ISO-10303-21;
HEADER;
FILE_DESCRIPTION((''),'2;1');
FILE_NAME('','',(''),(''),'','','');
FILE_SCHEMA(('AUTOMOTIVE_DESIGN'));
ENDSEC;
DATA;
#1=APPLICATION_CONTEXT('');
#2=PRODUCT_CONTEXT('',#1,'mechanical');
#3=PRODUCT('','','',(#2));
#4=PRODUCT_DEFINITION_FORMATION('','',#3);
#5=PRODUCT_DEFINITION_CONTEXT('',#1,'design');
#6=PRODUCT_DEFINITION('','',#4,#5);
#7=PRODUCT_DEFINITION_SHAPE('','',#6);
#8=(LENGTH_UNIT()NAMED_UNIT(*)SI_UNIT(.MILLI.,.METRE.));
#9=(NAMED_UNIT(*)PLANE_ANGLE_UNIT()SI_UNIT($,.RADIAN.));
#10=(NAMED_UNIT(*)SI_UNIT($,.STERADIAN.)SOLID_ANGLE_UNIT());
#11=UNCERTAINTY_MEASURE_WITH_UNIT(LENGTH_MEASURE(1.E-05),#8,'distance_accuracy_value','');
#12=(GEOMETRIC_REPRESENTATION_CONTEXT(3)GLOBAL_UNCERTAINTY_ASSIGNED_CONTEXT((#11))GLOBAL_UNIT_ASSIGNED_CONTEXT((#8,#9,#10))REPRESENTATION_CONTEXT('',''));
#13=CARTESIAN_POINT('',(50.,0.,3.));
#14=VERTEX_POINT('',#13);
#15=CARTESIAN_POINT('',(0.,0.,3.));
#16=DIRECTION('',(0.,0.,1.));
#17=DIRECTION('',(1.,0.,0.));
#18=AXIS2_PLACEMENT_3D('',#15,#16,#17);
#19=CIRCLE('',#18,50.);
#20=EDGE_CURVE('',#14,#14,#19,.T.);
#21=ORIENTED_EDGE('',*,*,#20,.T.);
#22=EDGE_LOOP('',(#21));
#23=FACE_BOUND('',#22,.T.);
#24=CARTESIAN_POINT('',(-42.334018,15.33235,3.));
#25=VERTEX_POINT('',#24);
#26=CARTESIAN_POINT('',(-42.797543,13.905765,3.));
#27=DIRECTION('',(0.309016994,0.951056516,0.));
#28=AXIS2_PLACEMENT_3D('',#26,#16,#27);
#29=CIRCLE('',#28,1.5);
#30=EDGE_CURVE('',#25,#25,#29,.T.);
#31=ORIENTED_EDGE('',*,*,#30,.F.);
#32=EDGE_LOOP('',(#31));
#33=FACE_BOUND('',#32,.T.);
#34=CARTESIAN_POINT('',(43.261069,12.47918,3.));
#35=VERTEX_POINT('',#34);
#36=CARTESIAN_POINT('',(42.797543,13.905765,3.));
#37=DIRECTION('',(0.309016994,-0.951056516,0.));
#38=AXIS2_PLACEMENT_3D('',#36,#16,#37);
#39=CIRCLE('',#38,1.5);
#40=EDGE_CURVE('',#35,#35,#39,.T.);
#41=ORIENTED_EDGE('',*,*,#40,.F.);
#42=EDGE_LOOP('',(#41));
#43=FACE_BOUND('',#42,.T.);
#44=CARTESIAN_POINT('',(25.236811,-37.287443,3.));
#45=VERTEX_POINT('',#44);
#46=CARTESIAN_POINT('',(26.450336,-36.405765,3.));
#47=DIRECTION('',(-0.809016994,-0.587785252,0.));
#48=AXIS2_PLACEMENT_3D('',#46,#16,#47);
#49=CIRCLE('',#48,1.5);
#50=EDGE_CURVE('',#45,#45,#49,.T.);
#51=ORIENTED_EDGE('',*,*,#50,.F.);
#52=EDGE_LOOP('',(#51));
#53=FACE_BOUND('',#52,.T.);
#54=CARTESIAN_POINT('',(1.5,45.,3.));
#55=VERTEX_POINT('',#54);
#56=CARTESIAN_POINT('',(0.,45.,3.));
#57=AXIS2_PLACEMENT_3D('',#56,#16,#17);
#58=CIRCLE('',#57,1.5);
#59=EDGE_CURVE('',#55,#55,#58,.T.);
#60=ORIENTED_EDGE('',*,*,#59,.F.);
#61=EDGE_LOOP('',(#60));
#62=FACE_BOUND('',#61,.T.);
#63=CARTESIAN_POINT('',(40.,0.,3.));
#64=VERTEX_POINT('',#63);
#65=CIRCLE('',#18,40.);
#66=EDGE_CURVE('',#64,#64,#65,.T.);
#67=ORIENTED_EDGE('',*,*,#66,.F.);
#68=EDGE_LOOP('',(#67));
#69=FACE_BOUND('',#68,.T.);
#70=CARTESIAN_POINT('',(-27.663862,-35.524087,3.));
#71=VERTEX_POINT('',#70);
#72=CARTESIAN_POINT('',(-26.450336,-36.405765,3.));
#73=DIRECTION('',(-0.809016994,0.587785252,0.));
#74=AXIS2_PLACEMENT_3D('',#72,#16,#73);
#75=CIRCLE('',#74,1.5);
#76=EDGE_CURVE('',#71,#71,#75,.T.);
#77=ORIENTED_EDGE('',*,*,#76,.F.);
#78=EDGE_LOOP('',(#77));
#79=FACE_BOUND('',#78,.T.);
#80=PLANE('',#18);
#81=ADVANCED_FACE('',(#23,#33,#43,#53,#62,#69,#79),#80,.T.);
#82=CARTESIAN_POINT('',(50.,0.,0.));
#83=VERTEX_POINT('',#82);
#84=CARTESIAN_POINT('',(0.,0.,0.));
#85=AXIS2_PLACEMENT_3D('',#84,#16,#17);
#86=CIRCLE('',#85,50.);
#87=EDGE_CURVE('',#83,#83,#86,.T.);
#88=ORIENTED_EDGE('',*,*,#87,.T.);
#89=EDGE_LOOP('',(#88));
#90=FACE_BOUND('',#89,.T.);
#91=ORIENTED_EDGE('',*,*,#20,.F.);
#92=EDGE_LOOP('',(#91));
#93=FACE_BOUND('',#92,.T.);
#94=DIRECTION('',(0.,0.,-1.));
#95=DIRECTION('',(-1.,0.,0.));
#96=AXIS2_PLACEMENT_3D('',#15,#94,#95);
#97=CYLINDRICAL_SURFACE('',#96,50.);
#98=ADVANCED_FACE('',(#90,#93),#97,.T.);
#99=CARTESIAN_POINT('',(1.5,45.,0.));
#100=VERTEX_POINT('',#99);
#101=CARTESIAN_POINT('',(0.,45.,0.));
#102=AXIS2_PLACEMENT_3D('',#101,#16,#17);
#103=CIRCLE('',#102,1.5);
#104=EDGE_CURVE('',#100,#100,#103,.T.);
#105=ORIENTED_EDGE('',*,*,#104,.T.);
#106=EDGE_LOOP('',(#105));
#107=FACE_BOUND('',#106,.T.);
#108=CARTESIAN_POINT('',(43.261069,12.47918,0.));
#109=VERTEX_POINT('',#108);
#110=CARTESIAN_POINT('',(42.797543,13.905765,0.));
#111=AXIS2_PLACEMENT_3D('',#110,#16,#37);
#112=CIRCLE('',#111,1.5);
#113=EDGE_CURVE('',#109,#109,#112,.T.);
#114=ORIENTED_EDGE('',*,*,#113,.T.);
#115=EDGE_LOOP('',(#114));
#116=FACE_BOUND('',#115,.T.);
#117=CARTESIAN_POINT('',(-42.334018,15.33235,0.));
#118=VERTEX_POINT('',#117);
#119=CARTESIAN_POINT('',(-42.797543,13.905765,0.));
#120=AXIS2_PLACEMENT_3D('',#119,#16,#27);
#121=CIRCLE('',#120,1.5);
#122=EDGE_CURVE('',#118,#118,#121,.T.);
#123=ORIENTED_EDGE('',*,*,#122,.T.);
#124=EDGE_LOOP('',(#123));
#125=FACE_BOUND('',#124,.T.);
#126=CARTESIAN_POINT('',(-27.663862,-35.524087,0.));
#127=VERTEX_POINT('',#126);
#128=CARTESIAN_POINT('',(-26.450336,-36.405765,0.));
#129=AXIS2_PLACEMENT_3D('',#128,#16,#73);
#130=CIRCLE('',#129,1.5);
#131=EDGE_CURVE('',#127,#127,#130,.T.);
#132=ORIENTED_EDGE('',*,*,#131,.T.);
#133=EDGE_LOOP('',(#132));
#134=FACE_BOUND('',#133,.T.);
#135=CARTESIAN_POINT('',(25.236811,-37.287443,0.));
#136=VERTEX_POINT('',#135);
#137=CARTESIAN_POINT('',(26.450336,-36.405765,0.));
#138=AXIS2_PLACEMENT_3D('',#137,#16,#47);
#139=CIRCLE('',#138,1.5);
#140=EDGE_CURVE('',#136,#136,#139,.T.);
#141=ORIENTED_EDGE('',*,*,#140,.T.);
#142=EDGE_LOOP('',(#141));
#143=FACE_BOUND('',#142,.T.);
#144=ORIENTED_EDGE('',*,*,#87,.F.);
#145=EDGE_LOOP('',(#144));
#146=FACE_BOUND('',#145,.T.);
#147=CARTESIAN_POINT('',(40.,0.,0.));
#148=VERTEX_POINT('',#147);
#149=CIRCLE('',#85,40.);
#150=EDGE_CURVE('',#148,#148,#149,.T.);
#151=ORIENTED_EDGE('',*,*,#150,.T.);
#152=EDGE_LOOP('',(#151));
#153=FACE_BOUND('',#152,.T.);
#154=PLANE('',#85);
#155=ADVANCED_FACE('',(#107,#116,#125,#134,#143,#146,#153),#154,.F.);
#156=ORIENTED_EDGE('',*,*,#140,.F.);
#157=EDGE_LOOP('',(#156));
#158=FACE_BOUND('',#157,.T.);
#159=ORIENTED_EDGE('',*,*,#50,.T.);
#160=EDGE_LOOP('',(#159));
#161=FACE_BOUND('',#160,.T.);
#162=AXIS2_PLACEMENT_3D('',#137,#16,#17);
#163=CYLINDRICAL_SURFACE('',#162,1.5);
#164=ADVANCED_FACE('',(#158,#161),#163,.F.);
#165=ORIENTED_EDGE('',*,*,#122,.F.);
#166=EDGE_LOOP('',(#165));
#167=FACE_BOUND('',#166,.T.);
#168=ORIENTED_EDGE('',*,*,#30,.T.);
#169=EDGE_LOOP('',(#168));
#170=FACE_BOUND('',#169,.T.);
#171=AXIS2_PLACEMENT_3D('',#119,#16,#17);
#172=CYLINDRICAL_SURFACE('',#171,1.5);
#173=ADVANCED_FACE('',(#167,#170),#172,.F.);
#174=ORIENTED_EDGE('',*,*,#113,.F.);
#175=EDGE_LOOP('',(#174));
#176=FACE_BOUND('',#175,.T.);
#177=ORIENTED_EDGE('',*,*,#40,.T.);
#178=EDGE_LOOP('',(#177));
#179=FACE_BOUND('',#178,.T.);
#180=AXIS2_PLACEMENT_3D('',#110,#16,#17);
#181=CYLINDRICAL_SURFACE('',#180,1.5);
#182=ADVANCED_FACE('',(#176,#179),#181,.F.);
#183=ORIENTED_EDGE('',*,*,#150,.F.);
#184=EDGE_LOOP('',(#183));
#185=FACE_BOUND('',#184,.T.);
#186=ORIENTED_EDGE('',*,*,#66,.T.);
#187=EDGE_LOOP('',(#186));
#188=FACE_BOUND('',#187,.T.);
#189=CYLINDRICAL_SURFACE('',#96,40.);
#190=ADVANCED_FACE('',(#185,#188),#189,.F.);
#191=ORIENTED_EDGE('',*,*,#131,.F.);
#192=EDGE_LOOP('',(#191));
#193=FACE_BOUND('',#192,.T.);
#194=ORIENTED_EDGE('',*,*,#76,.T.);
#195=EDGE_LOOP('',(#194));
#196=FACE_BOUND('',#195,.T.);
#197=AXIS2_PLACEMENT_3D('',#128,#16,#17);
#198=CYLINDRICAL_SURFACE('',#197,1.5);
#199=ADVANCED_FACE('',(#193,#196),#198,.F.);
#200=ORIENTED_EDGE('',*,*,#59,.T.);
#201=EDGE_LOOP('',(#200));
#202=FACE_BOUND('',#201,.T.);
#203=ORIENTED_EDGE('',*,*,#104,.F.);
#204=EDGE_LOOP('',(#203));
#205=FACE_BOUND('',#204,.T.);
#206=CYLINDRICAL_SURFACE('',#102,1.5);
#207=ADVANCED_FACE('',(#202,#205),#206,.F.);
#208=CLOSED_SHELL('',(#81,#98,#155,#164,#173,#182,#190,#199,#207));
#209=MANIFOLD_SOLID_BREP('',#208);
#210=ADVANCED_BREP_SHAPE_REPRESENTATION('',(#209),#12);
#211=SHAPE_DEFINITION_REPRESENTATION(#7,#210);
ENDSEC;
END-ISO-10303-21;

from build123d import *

# Parameters (mm, degrees)
SKETCH_1_R               = 50
SKETCH_1_R_2             = 40
EXTRUDE_1_DEPTH          = 3
SKETCH_2_R               = 1.5
CUT_EXTRUDE_1_DEPTH      = 71.774289117
PATTERN_CIRCULAR_1_COUNT = 5


with BuildPart() as part:
    # 草圖1 → 填料-伸長1 (new body)
    with BuildSketch(Plane.XY):
        Circle(SKETCH_1_R)
        Circle(SKETCH_1_R_2, mode=Mode.SUBTRACT)
    extrude(amount=EXTRUDE_1_DEPTH)

    # 草圖2 → 除料-伸長1 (cut, through all)
    with BuildSketch(Plane.XY.offset(3)):
        with Locations((0, 45)):
            Circle(SKETCH_2_R)
    cut_extrude_1 = extrude(amount=-CUT_EXTRUDE_1_DEPTH, mode=Mode.SUBTRACT)

    # 環狀複製排列1: 除料-伸長1 ×5 about axis
    pattern_circular_1_axis = Axis((0, 0, 0), (0, 0, 1))
    for i in range(1, PATTERN_CIRCULAR_1_COUNT):
        add(cut_extrude_1.rotate(pattern_circular_1_axis, i * 360 / PATTERN_CIRCULAR_1_COUNT), mode=Mode.SUBTRACT)


solid = part.part
